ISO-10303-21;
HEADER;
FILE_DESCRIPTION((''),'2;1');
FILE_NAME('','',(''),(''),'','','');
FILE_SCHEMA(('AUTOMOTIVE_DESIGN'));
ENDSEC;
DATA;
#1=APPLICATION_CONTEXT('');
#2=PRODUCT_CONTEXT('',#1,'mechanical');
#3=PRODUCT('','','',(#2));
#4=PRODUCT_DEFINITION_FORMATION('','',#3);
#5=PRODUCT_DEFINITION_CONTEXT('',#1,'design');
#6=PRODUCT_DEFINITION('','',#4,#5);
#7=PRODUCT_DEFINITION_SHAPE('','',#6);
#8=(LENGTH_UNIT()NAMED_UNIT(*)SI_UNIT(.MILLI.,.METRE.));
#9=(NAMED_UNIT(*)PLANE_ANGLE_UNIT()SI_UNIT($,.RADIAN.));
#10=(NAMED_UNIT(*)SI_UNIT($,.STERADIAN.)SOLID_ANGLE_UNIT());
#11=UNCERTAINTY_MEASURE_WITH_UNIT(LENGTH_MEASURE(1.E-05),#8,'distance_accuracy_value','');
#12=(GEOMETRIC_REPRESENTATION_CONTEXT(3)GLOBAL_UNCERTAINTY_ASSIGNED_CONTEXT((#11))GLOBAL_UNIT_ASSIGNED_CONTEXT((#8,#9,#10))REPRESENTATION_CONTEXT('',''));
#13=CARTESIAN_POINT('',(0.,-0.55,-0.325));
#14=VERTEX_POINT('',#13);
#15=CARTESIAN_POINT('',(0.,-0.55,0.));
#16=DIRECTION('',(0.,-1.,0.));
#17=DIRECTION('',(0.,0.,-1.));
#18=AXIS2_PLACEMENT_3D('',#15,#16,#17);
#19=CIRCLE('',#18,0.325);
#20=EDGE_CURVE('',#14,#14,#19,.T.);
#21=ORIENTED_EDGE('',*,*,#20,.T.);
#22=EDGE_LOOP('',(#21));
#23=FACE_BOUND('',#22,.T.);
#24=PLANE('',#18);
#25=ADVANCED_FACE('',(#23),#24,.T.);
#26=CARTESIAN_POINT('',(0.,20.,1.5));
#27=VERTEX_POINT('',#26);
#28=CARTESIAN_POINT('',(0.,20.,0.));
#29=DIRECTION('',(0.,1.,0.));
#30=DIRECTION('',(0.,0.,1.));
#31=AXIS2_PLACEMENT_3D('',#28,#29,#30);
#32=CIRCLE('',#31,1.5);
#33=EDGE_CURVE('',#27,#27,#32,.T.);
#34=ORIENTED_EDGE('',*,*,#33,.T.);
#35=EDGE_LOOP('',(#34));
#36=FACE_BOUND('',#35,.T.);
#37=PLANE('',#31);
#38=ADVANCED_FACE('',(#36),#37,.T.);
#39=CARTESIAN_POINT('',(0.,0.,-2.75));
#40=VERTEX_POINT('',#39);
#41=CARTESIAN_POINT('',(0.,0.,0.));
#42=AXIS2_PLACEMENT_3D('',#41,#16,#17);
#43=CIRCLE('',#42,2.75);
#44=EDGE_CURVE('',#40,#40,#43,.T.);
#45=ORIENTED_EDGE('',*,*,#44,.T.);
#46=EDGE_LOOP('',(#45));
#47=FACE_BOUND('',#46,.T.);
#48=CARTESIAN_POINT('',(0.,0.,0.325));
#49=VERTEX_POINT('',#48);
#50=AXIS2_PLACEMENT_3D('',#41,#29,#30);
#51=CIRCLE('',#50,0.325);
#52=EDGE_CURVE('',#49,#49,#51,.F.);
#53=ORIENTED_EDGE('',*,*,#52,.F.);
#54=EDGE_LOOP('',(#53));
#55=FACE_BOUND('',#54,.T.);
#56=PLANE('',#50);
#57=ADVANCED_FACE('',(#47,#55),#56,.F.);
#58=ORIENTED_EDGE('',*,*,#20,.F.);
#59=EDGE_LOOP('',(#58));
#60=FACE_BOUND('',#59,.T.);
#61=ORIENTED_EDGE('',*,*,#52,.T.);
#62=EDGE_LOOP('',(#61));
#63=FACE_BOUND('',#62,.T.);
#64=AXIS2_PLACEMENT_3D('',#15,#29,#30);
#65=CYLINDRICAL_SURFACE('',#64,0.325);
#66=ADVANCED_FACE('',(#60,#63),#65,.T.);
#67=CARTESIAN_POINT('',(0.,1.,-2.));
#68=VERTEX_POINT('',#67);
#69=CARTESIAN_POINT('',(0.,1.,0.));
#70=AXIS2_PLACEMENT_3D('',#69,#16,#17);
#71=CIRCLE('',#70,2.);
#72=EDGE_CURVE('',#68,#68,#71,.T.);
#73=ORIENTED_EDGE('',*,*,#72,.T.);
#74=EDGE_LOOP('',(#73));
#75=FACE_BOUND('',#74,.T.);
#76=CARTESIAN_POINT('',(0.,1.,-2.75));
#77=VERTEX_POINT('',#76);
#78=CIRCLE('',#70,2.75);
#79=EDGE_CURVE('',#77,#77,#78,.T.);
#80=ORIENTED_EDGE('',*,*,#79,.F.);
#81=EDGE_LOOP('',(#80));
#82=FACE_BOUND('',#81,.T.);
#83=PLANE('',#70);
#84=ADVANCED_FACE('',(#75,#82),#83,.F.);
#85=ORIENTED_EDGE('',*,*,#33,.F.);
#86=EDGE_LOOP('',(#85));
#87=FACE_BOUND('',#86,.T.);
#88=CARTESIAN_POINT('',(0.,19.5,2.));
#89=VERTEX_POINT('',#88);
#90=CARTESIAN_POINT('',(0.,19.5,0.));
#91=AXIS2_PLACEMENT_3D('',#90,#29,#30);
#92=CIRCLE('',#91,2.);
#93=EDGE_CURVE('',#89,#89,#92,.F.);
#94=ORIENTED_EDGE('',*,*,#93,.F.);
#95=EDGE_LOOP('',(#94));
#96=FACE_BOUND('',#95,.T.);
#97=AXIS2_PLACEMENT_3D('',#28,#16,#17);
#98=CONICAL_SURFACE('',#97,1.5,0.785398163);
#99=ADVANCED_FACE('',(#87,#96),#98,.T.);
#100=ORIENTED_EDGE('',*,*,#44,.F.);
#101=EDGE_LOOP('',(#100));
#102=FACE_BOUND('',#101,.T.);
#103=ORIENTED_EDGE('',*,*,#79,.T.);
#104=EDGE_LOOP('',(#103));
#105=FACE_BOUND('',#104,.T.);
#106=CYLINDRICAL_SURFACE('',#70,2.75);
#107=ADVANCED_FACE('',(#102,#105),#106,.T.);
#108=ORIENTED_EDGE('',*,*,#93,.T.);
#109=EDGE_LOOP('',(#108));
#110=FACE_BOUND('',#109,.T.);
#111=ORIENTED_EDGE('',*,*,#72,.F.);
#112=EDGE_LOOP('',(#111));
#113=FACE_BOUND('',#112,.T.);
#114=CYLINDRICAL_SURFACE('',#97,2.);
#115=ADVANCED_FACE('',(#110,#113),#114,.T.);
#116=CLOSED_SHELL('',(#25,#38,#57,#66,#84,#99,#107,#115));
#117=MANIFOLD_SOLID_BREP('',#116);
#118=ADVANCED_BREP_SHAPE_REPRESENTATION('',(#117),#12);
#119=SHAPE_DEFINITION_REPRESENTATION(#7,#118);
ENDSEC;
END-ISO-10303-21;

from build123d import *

# Parameters (mm, degrees)
SKETCH_1_R      = 2
EXTRUDE_1_DEPTH = 20
CHAMFER_1_SIZE  = 0.5
SKETCH_2_R      = 2.75
EXTRUDE_2_DEPTH = 1
SKETCH_3_R      = 0.325
EXTRUDE_3_DEPTH = 0.55


with BuildPart() as part:
    # Эскиз1 → Вытянуть1 (new body)
    with BuildSketch(Plane(origin=(0, 0, 0), x_dir=(1, 0, 0), z_dir=(0, 1, 0))):
        with Locations(Location((0, 0, 0), (0, 0, 270))):
            Circle(SKETCH_1_R)
    extrude(amount=EXTRUDE_1_DEPTH)

    # Фаска1
    chamfer_1_edges = [part.edges().sort_by_distance(p)[0] for p in [
        (0, 20, -2),
    ]]
    chamfer(chamfer_1_edges, length=CHAMFER_1_SIZE)

    # Эскиз2 → Вытянуть2 (add)
    with BuildSketch(Plane.XZ):
        with Locations(Location((0, 0, 0), (0, 0, 270))):
            Circle(SKETCH_2_R)
    extrude(amount=-EXTRUDE_2_DEPTH)

    # Эскиз3 → Вытянуть3 (add)
    with BuildSketch(Plane.XZ):
        with Locations(Location((0, 0, 0), (0, 0, 90))):
            Circle(SKETCH_3_R)
    extrude(amount=EXTRUDE_3_DEPTH)


solid = part.part
